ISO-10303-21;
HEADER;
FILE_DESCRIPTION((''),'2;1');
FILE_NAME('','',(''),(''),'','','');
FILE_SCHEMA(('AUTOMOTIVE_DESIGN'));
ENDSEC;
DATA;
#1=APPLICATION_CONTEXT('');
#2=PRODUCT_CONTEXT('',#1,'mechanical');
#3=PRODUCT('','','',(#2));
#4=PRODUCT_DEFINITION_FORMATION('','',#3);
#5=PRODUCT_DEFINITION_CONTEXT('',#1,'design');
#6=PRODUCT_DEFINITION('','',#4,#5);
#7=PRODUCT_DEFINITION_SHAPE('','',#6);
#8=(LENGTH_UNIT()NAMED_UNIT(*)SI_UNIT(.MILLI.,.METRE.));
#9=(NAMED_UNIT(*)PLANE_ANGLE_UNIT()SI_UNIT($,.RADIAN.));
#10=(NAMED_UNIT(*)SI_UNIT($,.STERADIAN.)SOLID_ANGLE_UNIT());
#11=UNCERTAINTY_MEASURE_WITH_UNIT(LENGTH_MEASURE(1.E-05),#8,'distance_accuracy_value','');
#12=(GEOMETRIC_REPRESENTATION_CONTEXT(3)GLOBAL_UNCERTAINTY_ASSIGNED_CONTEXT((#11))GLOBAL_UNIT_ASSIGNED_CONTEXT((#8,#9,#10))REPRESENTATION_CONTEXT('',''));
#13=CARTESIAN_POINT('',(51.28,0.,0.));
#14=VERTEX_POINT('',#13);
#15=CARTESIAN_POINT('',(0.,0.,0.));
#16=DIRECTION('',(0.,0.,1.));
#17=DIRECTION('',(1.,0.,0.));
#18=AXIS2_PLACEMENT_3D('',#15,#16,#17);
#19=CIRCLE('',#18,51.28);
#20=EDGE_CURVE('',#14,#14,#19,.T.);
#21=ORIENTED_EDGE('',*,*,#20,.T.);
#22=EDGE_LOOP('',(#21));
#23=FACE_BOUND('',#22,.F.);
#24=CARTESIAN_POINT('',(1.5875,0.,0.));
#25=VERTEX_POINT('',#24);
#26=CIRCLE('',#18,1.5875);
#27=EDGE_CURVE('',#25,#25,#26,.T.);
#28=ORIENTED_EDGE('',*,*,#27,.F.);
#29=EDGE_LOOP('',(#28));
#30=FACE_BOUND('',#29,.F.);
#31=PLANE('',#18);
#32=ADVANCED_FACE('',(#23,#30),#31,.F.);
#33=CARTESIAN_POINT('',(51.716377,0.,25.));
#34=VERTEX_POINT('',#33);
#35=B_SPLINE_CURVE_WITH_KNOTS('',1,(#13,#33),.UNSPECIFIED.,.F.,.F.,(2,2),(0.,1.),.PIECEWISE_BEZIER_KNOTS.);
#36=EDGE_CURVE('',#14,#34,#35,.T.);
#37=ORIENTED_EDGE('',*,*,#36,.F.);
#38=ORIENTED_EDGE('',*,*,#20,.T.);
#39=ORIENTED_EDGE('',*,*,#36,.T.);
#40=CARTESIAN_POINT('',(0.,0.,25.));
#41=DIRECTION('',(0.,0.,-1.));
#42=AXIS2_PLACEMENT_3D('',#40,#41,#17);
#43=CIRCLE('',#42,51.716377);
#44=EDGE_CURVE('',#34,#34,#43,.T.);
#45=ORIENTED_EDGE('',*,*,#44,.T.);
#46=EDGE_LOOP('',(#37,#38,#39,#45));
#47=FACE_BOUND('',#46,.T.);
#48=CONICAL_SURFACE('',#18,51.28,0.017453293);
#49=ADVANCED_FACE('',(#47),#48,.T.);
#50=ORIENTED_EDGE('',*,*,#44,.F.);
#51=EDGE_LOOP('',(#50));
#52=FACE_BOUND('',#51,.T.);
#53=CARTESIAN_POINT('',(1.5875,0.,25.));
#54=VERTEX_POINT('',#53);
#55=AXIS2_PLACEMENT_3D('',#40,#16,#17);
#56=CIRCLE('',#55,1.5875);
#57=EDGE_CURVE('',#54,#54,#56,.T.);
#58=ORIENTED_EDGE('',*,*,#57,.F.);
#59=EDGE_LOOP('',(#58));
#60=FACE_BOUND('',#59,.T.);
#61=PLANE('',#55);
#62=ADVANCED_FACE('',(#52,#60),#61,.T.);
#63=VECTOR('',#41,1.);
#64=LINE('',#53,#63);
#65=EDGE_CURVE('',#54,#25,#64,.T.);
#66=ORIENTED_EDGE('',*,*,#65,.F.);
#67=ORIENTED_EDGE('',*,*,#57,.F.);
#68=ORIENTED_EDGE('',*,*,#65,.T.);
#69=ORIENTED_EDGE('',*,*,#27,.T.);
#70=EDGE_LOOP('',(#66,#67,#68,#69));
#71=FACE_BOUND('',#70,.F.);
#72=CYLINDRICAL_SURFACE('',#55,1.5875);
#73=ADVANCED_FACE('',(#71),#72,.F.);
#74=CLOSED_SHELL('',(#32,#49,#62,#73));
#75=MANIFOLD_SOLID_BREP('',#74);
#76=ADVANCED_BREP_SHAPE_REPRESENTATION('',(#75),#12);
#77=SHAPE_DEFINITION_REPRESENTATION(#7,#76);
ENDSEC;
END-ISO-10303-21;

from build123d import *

# Parameters (mm, degrees)
F0_R     = 51.28
F1_DEPTH = 25
F1_TAPER = -1
F2_R     = 1.5875
F3_DEPTH = 25


with BuildPart() as f1:
    # F0 (on Top) → F1 (new body)
    with BuildSketch(Plane.XY):
        Circle(F0_R)
    extrude(amount=F1_DEPTH, taper=F1_TAPER)

    # F2 (on face) → F3 (cut)
    with BuildSketch(Plane.XY.offset(25)):
        Circle(F2_R)
    extrude(amount=-F3_DEPTH, mode=Mode.SUBTRACT)


solid = f1.part
